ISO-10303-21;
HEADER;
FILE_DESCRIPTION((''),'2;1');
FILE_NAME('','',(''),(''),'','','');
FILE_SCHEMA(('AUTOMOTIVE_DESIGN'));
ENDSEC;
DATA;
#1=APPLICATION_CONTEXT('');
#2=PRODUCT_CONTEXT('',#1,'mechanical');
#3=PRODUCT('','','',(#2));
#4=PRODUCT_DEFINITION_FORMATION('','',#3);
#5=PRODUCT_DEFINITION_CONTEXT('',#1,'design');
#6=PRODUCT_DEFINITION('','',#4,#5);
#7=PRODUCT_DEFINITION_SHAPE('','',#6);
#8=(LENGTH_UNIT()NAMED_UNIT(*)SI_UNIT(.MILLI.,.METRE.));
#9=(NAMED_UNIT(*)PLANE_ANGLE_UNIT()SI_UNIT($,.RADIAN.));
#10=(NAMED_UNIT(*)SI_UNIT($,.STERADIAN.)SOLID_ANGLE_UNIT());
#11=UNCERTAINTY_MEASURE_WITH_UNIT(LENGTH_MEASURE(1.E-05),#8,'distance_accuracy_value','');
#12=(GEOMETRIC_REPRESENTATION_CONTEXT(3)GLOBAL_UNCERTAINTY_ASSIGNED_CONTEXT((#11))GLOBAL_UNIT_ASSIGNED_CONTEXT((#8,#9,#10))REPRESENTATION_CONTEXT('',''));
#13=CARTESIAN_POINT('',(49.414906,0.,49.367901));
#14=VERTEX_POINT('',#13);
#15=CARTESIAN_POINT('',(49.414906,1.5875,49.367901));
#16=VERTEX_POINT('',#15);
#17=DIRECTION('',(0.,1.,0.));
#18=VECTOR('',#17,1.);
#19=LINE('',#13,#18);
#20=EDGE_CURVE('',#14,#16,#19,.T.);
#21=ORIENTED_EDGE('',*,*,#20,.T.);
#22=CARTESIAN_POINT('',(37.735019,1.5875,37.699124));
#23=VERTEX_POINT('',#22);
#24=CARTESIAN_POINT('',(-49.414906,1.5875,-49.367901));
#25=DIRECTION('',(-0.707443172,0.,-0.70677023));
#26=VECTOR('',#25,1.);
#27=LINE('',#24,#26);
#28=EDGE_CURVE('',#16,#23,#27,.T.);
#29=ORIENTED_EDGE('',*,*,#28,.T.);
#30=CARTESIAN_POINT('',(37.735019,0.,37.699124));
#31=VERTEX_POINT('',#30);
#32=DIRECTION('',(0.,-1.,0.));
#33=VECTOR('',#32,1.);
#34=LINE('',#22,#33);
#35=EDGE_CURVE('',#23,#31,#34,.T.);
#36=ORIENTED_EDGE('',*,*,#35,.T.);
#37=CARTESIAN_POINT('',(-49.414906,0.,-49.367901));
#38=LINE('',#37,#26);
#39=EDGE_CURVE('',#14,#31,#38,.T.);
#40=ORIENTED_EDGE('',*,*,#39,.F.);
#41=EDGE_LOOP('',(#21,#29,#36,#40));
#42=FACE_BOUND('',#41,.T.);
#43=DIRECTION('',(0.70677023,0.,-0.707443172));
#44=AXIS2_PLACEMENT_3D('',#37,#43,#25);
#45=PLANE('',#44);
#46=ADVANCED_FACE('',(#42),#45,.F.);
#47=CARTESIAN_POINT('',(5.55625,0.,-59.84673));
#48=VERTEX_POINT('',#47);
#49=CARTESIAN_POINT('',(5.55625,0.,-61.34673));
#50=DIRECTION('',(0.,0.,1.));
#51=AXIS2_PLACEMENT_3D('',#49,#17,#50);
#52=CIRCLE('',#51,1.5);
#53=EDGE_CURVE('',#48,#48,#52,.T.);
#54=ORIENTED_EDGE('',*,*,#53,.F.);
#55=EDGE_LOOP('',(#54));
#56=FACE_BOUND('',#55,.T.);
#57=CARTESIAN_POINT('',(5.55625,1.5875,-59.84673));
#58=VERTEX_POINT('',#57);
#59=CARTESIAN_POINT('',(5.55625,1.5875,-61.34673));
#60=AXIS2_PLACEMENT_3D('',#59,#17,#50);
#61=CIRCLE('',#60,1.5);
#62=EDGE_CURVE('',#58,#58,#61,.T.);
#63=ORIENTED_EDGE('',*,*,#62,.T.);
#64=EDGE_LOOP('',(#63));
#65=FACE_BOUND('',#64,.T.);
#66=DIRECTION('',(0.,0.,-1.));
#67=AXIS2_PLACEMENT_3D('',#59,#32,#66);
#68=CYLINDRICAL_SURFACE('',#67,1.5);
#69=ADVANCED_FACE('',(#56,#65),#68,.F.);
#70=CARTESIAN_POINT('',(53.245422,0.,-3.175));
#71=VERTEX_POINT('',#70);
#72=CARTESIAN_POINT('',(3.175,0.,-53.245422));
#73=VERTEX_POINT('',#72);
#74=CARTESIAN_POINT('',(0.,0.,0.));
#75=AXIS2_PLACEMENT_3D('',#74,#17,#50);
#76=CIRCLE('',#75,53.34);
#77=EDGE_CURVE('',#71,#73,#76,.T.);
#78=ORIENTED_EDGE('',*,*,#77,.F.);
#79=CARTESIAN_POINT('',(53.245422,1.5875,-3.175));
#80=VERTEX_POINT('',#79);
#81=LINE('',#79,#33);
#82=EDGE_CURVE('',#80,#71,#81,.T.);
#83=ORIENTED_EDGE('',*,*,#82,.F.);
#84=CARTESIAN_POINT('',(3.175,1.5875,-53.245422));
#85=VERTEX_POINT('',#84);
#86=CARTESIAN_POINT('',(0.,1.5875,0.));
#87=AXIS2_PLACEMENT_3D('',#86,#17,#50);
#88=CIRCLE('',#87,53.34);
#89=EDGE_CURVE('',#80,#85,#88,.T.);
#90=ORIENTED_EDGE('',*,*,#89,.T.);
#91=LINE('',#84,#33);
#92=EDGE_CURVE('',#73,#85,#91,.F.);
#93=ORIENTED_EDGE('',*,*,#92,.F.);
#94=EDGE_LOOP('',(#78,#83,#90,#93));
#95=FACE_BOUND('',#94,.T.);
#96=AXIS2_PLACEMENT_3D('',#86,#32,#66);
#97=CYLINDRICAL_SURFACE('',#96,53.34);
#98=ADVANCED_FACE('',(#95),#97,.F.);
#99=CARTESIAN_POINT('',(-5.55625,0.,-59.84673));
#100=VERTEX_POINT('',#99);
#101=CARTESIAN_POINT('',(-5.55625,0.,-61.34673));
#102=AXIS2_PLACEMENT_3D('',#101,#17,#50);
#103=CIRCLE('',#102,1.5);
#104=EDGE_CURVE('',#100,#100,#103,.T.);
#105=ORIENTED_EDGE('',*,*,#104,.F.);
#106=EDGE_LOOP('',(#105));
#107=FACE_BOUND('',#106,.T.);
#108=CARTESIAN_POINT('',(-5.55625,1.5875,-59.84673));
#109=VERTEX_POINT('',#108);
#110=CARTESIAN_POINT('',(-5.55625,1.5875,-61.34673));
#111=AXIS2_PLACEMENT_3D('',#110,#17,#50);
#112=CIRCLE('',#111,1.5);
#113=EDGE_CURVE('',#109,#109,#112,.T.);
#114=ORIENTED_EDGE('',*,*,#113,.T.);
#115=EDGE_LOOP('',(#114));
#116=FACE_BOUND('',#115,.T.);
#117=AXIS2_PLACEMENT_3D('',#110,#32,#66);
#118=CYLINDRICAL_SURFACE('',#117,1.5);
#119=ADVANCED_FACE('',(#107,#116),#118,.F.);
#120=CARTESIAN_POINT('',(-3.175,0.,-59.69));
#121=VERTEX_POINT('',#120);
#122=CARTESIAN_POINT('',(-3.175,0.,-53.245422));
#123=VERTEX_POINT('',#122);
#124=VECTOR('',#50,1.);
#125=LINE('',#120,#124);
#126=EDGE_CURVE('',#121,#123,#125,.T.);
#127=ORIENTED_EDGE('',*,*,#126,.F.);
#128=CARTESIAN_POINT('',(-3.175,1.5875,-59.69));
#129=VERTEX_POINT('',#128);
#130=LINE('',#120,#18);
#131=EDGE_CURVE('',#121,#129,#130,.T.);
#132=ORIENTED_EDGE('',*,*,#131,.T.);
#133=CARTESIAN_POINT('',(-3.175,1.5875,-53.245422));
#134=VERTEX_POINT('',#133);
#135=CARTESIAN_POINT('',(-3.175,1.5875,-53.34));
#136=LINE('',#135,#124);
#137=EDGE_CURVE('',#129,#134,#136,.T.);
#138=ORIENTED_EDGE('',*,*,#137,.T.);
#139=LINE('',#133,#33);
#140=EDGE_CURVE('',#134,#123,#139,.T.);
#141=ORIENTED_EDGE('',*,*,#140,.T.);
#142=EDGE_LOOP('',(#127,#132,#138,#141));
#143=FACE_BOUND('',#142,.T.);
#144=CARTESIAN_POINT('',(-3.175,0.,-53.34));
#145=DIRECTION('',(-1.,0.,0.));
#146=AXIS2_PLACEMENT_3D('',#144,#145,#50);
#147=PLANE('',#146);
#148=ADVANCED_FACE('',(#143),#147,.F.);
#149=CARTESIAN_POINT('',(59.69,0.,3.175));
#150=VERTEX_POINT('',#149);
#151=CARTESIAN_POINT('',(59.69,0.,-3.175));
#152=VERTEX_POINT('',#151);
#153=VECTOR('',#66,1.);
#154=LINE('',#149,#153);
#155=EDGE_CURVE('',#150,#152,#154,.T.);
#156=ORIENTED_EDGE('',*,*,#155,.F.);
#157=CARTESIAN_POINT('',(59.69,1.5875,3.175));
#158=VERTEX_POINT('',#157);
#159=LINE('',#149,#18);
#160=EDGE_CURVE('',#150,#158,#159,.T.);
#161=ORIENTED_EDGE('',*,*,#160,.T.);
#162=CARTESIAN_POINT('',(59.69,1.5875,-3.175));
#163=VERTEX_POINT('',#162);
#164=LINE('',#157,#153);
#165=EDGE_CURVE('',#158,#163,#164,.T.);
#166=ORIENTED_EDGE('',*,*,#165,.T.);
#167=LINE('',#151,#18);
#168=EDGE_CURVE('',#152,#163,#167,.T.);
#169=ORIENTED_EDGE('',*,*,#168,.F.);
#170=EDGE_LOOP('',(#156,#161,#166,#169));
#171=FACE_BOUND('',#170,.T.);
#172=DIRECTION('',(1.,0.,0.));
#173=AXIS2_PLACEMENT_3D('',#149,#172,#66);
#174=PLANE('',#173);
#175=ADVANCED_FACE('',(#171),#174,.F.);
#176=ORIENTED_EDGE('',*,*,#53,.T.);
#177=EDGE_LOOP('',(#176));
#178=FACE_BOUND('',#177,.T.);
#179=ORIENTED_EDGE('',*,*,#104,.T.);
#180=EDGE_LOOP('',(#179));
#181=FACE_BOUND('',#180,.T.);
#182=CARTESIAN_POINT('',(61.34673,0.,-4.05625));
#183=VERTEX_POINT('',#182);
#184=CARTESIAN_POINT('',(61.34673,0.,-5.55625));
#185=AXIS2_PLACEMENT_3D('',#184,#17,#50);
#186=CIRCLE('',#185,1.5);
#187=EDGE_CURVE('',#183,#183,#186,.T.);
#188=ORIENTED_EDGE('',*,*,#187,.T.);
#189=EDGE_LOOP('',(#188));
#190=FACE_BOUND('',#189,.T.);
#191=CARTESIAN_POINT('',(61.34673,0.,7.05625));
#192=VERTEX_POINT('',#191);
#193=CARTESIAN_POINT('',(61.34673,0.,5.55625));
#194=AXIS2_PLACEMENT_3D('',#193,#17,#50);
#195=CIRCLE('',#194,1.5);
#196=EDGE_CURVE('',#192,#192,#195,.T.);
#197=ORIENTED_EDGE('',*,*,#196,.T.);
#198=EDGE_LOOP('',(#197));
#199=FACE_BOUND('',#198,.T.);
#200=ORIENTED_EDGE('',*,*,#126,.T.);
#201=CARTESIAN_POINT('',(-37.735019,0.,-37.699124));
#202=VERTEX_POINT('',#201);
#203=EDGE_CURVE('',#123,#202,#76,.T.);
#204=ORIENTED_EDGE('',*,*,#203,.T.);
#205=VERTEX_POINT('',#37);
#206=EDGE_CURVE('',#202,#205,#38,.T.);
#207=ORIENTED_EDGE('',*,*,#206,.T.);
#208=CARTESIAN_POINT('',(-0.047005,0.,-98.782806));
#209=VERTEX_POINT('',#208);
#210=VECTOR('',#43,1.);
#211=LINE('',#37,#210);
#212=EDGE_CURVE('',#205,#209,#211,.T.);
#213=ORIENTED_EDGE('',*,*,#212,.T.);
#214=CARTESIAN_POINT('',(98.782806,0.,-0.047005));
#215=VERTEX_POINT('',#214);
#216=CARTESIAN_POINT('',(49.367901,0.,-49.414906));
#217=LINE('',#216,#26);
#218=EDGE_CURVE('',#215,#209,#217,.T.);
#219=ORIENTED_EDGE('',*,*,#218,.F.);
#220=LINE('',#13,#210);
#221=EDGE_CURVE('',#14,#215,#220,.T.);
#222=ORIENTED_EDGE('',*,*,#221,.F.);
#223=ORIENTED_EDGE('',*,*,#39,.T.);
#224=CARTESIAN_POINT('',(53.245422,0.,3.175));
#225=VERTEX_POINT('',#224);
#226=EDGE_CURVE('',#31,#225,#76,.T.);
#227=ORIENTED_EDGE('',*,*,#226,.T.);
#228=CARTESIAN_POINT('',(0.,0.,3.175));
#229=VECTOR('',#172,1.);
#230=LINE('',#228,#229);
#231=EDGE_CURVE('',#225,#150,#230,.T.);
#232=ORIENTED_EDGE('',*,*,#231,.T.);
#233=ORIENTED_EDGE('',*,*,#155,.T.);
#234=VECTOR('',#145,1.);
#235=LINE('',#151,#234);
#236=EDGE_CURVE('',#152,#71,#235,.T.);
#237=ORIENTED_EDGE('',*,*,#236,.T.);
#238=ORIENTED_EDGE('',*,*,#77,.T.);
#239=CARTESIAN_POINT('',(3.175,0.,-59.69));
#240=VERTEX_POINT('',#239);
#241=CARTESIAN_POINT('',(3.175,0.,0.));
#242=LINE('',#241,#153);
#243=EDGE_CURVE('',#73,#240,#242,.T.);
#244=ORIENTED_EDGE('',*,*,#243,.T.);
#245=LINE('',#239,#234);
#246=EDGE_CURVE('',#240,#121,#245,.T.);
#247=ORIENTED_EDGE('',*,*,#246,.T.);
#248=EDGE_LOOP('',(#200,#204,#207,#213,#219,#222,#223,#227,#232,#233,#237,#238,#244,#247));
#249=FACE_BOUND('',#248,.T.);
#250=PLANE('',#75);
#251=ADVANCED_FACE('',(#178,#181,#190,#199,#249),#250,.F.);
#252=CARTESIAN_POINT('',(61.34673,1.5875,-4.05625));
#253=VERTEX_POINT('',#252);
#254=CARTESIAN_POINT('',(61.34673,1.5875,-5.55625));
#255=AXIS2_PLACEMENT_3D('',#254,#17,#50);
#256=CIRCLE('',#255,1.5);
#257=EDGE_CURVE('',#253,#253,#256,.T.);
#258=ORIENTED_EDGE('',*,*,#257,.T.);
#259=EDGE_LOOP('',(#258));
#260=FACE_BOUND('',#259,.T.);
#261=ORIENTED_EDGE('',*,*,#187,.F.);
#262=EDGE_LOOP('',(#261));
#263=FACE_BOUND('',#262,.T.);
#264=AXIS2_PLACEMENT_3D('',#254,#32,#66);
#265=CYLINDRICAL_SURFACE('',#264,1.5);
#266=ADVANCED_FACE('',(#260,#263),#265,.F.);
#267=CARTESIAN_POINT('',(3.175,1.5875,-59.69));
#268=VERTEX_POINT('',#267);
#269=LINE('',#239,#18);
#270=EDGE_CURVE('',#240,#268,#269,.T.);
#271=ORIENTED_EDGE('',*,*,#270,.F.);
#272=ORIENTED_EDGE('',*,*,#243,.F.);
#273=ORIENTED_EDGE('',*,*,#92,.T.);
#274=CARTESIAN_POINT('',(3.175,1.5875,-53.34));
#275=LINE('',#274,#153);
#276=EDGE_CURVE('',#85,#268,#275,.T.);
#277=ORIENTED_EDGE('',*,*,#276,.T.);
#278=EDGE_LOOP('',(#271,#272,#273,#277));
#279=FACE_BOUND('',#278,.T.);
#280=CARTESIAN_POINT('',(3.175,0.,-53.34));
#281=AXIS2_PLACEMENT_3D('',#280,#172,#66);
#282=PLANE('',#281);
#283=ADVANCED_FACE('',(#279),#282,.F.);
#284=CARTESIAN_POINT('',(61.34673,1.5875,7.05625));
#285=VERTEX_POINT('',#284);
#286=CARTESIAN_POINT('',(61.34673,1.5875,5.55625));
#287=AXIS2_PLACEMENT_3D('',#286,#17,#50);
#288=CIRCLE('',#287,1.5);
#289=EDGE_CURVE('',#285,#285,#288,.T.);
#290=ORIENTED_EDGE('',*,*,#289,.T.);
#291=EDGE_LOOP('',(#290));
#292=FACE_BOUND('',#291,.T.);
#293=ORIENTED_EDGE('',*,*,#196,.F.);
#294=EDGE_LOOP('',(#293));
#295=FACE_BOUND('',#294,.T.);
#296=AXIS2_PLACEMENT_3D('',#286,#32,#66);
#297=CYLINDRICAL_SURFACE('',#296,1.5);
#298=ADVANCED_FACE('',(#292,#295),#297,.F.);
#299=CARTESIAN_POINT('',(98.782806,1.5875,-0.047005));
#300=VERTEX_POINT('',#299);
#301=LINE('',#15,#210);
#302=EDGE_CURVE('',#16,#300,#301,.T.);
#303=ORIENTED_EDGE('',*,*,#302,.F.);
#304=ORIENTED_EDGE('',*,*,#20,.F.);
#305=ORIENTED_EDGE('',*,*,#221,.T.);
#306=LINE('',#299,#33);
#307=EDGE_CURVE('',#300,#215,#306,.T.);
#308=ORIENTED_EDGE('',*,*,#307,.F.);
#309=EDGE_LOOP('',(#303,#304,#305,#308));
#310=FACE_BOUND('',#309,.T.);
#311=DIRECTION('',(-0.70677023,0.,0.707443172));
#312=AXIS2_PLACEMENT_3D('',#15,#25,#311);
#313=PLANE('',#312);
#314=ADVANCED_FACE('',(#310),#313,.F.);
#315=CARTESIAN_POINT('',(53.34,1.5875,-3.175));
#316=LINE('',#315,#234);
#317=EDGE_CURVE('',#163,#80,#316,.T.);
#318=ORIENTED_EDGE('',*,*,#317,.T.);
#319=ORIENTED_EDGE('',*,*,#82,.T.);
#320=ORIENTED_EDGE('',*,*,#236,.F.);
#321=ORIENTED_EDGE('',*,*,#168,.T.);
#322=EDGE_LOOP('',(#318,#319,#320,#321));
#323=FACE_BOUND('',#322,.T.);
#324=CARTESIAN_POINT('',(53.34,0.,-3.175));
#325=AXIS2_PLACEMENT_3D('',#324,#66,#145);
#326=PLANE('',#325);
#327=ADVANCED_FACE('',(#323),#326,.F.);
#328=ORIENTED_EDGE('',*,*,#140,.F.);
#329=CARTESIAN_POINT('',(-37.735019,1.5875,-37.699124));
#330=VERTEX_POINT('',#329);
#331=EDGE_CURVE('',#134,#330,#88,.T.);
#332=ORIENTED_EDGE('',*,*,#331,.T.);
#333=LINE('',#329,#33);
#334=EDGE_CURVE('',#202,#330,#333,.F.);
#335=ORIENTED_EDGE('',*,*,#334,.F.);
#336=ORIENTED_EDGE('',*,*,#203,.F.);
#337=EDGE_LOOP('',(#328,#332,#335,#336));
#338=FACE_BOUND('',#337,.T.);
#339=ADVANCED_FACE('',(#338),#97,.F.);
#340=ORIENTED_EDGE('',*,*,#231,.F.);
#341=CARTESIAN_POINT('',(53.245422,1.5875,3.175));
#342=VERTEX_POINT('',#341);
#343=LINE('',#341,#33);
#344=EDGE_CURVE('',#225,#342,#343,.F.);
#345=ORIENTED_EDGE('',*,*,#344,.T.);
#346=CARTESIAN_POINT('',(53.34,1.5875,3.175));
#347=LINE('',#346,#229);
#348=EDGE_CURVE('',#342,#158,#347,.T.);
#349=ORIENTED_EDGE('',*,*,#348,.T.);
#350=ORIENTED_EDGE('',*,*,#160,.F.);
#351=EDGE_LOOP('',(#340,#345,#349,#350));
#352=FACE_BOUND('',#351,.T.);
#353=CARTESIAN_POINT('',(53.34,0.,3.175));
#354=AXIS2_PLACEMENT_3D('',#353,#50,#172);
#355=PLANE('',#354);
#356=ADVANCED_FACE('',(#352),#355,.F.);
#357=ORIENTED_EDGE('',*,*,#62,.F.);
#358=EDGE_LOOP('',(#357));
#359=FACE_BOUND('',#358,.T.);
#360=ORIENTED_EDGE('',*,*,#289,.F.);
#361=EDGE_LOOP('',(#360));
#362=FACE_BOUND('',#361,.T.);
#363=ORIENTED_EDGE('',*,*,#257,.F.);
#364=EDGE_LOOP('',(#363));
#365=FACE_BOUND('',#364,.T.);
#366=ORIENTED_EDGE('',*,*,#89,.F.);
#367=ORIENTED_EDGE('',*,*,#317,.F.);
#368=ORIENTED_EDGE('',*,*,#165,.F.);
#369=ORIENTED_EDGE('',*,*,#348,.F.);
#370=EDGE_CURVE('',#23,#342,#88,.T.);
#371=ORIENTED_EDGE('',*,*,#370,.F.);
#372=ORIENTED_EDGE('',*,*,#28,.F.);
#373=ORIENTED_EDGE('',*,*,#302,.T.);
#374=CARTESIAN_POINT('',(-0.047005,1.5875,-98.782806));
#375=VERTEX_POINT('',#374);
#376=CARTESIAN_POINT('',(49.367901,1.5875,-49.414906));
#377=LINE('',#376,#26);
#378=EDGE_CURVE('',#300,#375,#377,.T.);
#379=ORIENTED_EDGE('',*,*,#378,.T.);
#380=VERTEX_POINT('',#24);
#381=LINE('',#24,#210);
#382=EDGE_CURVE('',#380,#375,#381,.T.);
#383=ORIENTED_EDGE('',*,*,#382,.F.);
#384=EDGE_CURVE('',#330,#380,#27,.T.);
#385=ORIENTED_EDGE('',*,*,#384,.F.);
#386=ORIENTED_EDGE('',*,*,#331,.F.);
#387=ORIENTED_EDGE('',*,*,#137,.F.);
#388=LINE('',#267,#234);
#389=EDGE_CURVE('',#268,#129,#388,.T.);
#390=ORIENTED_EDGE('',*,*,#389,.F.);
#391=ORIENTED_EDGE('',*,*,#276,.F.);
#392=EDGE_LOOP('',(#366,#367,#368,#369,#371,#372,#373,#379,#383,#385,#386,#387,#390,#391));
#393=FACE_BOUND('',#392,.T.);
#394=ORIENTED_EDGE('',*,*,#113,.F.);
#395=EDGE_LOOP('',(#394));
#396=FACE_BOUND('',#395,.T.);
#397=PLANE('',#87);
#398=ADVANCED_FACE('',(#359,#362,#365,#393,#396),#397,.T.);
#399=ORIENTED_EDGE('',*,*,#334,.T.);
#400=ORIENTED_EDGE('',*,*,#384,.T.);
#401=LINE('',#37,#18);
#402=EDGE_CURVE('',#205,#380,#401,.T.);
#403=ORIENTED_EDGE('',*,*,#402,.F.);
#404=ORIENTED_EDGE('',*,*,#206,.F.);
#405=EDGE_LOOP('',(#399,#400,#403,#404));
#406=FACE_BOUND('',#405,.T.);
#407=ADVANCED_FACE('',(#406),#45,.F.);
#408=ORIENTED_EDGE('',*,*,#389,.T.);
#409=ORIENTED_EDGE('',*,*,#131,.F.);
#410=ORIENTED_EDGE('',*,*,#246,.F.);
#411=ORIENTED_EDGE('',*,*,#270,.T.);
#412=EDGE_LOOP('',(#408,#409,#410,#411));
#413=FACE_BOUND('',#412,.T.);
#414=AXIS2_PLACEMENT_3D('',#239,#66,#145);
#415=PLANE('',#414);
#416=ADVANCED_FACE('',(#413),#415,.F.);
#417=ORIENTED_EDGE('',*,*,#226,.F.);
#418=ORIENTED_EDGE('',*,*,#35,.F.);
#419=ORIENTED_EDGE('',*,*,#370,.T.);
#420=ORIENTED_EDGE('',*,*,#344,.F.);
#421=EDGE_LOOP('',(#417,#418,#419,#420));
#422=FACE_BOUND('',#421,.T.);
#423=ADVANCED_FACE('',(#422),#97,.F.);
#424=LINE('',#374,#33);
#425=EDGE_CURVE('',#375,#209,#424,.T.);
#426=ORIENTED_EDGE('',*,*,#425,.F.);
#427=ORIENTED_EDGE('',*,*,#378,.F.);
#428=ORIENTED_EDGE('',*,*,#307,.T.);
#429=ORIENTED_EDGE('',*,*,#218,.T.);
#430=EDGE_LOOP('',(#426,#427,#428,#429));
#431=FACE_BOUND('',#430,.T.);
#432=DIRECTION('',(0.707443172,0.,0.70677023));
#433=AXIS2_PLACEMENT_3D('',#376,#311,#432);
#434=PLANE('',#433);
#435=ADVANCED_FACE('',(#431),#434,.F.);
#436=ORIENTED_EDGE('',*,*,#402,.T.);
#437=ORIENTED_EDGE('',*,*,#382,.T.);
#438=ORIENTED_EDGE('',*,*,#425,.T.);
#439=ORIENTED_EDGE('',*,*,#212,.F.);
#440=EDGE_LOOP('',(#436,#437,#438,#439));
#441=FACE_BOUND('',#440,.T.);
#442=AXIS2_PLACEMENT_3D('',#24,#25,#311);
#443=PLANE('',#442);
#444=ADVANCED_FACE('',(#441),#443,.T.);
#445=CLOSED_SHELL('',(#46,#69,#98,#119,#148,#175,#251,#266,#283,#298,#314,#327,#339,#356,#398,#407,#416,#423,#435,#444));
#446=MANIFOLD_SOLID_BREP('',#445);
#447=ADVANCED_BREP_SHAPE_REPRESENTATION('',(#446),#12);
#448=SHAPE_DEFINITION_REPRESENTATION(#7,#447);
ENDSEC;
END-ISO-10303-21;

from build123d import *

# Parameters (mm, degrees)
SKETCH1_R           = 1.5
SKETCH1_R_2         = 53.34
BOSS_EXTRUDE1_DEPTH = 1.5875
CUT_EXTRUDE3_DEPTH  = 140.70900378
CUT_EXTRUDE4_DEPTH  = 140.70900378


with BuildPart() as part:
    # Sketch1 → Boss-Extrude1 (new body)
    with BuildSketch(Plane(origin=(0, 0, 0), x_dir=(1, 0, 0), z_dir=(0, 1, 0))):
        Polygon((0.047005036, -98.782806148), (-98.782806148, -0.047005036), (-0.047005036, 98.782806148), (98.782806148, 0.047005036), align=None)
        with Locations(Location((-61.346730494, 5.55625, 0), (0, 0, 270))):
            Circle(SKETCH1_R, mode=Mode.SUBTRACT)
        with Locations(Location((-61.346730494, -5.55625, 0), (0, 0, 270))):
            Circle(SKETCH1_R, mode=Mode.SUBTRACT)
        with Locations(Location((-5.55625, -61.346730494, 0), (0, 0, 270))):
            Circle(SKETCH1_R, mode=Mode.SUBTRACT)
        with Locations(Location((5.55625, -61.346730494, 0), (0, 0, 270))):
            Circle(SKETCH1_R, mode=Mode.SUBTRACT)
        with Locations(Location((61.346730494, -5.55625, 0), (0, 0, 270))):
            Circle(SKETCH1_R, mode=Mode.SUBTRACT)
        with Locations(Location((61.346730494, 5.55625, 0), (0, 0, 270))):
            Circle(SKETCH1_R, mode=Mode.SUBTRACT)
        with Locations(Location((5.55625, 61.346730494, 0), (0, 0, 270))):
            Circle(SKETCH1_R, mode=Mode.SUBTRACT)
        with Locations(Location((-5.55625, 61.346730494, 0), (0, 0, 270))):
            Circle(SKETCH1_R, mode=Mode.SUBTRACT)
        with Locations(Location((0, 0, 0), (0, 0, 270))):
            Circle(SKETCH1_R_2, mode=Mode.SUBTRACT)
    extrude(amount=BOSS_EXTRUDE1_DEPTH)

    # Sketch2 → Cut-Extrude3 (cut, through all)
    with BuildSketch(Plane(origin=(0, 1.5875, 0), x_dir=(1, 0, 0), z_dir=(0, 1, 0))):
        Polygon((3.175, 53.34), (3.175, 59.69), (-3.175, 59.69), (-3.175, 53.34), (-3.175, 52.244537665), (3.175, 52.244537665), align=None)
        Polygon((53.34, -3.175), (59.69, -3.175), (59.69, 3.175), (53.34, 3.175), (52.244537665, 3.175), (52.244537665, -3.175), align=None)
        Polygon((-3.175, -53.34), (-3.175, -59.69), (3.175, -59.69), (3.175, -53.34), (3.175, -52.244537665), (-3.175, -52.244537665), align=None)
        Polygon((-53.34, 3.175), (-59.69, 3.175), (-59.69, -3.175), (-53.34, -3.175), (-52.244537665, -3.175), (-52.244537665, 3.175), align=None)
    extrude(amount=-CUT_EXTRUDE3_DEPTH, mode=Mode.SUBTRACT)

    # Sketch3 → Cut-Extrude4 (cut, through all)
    with BuildSketch(Plane(origin=(0, 1.5875, 0), x_dir=(1, 0, 0), z_dir=(0, 1, 0))):
        Polygon((-49.414905592, 49.367900556), (49.414905592, -49.367900556), (0.047005036, -98.782806148), (-98.782806148, -0.047005036), align=None)
    extrude(amount=-CUT_EXTRUDE4_DEPTH, mode=Mode.SUBTRACT)


solid = part.part
